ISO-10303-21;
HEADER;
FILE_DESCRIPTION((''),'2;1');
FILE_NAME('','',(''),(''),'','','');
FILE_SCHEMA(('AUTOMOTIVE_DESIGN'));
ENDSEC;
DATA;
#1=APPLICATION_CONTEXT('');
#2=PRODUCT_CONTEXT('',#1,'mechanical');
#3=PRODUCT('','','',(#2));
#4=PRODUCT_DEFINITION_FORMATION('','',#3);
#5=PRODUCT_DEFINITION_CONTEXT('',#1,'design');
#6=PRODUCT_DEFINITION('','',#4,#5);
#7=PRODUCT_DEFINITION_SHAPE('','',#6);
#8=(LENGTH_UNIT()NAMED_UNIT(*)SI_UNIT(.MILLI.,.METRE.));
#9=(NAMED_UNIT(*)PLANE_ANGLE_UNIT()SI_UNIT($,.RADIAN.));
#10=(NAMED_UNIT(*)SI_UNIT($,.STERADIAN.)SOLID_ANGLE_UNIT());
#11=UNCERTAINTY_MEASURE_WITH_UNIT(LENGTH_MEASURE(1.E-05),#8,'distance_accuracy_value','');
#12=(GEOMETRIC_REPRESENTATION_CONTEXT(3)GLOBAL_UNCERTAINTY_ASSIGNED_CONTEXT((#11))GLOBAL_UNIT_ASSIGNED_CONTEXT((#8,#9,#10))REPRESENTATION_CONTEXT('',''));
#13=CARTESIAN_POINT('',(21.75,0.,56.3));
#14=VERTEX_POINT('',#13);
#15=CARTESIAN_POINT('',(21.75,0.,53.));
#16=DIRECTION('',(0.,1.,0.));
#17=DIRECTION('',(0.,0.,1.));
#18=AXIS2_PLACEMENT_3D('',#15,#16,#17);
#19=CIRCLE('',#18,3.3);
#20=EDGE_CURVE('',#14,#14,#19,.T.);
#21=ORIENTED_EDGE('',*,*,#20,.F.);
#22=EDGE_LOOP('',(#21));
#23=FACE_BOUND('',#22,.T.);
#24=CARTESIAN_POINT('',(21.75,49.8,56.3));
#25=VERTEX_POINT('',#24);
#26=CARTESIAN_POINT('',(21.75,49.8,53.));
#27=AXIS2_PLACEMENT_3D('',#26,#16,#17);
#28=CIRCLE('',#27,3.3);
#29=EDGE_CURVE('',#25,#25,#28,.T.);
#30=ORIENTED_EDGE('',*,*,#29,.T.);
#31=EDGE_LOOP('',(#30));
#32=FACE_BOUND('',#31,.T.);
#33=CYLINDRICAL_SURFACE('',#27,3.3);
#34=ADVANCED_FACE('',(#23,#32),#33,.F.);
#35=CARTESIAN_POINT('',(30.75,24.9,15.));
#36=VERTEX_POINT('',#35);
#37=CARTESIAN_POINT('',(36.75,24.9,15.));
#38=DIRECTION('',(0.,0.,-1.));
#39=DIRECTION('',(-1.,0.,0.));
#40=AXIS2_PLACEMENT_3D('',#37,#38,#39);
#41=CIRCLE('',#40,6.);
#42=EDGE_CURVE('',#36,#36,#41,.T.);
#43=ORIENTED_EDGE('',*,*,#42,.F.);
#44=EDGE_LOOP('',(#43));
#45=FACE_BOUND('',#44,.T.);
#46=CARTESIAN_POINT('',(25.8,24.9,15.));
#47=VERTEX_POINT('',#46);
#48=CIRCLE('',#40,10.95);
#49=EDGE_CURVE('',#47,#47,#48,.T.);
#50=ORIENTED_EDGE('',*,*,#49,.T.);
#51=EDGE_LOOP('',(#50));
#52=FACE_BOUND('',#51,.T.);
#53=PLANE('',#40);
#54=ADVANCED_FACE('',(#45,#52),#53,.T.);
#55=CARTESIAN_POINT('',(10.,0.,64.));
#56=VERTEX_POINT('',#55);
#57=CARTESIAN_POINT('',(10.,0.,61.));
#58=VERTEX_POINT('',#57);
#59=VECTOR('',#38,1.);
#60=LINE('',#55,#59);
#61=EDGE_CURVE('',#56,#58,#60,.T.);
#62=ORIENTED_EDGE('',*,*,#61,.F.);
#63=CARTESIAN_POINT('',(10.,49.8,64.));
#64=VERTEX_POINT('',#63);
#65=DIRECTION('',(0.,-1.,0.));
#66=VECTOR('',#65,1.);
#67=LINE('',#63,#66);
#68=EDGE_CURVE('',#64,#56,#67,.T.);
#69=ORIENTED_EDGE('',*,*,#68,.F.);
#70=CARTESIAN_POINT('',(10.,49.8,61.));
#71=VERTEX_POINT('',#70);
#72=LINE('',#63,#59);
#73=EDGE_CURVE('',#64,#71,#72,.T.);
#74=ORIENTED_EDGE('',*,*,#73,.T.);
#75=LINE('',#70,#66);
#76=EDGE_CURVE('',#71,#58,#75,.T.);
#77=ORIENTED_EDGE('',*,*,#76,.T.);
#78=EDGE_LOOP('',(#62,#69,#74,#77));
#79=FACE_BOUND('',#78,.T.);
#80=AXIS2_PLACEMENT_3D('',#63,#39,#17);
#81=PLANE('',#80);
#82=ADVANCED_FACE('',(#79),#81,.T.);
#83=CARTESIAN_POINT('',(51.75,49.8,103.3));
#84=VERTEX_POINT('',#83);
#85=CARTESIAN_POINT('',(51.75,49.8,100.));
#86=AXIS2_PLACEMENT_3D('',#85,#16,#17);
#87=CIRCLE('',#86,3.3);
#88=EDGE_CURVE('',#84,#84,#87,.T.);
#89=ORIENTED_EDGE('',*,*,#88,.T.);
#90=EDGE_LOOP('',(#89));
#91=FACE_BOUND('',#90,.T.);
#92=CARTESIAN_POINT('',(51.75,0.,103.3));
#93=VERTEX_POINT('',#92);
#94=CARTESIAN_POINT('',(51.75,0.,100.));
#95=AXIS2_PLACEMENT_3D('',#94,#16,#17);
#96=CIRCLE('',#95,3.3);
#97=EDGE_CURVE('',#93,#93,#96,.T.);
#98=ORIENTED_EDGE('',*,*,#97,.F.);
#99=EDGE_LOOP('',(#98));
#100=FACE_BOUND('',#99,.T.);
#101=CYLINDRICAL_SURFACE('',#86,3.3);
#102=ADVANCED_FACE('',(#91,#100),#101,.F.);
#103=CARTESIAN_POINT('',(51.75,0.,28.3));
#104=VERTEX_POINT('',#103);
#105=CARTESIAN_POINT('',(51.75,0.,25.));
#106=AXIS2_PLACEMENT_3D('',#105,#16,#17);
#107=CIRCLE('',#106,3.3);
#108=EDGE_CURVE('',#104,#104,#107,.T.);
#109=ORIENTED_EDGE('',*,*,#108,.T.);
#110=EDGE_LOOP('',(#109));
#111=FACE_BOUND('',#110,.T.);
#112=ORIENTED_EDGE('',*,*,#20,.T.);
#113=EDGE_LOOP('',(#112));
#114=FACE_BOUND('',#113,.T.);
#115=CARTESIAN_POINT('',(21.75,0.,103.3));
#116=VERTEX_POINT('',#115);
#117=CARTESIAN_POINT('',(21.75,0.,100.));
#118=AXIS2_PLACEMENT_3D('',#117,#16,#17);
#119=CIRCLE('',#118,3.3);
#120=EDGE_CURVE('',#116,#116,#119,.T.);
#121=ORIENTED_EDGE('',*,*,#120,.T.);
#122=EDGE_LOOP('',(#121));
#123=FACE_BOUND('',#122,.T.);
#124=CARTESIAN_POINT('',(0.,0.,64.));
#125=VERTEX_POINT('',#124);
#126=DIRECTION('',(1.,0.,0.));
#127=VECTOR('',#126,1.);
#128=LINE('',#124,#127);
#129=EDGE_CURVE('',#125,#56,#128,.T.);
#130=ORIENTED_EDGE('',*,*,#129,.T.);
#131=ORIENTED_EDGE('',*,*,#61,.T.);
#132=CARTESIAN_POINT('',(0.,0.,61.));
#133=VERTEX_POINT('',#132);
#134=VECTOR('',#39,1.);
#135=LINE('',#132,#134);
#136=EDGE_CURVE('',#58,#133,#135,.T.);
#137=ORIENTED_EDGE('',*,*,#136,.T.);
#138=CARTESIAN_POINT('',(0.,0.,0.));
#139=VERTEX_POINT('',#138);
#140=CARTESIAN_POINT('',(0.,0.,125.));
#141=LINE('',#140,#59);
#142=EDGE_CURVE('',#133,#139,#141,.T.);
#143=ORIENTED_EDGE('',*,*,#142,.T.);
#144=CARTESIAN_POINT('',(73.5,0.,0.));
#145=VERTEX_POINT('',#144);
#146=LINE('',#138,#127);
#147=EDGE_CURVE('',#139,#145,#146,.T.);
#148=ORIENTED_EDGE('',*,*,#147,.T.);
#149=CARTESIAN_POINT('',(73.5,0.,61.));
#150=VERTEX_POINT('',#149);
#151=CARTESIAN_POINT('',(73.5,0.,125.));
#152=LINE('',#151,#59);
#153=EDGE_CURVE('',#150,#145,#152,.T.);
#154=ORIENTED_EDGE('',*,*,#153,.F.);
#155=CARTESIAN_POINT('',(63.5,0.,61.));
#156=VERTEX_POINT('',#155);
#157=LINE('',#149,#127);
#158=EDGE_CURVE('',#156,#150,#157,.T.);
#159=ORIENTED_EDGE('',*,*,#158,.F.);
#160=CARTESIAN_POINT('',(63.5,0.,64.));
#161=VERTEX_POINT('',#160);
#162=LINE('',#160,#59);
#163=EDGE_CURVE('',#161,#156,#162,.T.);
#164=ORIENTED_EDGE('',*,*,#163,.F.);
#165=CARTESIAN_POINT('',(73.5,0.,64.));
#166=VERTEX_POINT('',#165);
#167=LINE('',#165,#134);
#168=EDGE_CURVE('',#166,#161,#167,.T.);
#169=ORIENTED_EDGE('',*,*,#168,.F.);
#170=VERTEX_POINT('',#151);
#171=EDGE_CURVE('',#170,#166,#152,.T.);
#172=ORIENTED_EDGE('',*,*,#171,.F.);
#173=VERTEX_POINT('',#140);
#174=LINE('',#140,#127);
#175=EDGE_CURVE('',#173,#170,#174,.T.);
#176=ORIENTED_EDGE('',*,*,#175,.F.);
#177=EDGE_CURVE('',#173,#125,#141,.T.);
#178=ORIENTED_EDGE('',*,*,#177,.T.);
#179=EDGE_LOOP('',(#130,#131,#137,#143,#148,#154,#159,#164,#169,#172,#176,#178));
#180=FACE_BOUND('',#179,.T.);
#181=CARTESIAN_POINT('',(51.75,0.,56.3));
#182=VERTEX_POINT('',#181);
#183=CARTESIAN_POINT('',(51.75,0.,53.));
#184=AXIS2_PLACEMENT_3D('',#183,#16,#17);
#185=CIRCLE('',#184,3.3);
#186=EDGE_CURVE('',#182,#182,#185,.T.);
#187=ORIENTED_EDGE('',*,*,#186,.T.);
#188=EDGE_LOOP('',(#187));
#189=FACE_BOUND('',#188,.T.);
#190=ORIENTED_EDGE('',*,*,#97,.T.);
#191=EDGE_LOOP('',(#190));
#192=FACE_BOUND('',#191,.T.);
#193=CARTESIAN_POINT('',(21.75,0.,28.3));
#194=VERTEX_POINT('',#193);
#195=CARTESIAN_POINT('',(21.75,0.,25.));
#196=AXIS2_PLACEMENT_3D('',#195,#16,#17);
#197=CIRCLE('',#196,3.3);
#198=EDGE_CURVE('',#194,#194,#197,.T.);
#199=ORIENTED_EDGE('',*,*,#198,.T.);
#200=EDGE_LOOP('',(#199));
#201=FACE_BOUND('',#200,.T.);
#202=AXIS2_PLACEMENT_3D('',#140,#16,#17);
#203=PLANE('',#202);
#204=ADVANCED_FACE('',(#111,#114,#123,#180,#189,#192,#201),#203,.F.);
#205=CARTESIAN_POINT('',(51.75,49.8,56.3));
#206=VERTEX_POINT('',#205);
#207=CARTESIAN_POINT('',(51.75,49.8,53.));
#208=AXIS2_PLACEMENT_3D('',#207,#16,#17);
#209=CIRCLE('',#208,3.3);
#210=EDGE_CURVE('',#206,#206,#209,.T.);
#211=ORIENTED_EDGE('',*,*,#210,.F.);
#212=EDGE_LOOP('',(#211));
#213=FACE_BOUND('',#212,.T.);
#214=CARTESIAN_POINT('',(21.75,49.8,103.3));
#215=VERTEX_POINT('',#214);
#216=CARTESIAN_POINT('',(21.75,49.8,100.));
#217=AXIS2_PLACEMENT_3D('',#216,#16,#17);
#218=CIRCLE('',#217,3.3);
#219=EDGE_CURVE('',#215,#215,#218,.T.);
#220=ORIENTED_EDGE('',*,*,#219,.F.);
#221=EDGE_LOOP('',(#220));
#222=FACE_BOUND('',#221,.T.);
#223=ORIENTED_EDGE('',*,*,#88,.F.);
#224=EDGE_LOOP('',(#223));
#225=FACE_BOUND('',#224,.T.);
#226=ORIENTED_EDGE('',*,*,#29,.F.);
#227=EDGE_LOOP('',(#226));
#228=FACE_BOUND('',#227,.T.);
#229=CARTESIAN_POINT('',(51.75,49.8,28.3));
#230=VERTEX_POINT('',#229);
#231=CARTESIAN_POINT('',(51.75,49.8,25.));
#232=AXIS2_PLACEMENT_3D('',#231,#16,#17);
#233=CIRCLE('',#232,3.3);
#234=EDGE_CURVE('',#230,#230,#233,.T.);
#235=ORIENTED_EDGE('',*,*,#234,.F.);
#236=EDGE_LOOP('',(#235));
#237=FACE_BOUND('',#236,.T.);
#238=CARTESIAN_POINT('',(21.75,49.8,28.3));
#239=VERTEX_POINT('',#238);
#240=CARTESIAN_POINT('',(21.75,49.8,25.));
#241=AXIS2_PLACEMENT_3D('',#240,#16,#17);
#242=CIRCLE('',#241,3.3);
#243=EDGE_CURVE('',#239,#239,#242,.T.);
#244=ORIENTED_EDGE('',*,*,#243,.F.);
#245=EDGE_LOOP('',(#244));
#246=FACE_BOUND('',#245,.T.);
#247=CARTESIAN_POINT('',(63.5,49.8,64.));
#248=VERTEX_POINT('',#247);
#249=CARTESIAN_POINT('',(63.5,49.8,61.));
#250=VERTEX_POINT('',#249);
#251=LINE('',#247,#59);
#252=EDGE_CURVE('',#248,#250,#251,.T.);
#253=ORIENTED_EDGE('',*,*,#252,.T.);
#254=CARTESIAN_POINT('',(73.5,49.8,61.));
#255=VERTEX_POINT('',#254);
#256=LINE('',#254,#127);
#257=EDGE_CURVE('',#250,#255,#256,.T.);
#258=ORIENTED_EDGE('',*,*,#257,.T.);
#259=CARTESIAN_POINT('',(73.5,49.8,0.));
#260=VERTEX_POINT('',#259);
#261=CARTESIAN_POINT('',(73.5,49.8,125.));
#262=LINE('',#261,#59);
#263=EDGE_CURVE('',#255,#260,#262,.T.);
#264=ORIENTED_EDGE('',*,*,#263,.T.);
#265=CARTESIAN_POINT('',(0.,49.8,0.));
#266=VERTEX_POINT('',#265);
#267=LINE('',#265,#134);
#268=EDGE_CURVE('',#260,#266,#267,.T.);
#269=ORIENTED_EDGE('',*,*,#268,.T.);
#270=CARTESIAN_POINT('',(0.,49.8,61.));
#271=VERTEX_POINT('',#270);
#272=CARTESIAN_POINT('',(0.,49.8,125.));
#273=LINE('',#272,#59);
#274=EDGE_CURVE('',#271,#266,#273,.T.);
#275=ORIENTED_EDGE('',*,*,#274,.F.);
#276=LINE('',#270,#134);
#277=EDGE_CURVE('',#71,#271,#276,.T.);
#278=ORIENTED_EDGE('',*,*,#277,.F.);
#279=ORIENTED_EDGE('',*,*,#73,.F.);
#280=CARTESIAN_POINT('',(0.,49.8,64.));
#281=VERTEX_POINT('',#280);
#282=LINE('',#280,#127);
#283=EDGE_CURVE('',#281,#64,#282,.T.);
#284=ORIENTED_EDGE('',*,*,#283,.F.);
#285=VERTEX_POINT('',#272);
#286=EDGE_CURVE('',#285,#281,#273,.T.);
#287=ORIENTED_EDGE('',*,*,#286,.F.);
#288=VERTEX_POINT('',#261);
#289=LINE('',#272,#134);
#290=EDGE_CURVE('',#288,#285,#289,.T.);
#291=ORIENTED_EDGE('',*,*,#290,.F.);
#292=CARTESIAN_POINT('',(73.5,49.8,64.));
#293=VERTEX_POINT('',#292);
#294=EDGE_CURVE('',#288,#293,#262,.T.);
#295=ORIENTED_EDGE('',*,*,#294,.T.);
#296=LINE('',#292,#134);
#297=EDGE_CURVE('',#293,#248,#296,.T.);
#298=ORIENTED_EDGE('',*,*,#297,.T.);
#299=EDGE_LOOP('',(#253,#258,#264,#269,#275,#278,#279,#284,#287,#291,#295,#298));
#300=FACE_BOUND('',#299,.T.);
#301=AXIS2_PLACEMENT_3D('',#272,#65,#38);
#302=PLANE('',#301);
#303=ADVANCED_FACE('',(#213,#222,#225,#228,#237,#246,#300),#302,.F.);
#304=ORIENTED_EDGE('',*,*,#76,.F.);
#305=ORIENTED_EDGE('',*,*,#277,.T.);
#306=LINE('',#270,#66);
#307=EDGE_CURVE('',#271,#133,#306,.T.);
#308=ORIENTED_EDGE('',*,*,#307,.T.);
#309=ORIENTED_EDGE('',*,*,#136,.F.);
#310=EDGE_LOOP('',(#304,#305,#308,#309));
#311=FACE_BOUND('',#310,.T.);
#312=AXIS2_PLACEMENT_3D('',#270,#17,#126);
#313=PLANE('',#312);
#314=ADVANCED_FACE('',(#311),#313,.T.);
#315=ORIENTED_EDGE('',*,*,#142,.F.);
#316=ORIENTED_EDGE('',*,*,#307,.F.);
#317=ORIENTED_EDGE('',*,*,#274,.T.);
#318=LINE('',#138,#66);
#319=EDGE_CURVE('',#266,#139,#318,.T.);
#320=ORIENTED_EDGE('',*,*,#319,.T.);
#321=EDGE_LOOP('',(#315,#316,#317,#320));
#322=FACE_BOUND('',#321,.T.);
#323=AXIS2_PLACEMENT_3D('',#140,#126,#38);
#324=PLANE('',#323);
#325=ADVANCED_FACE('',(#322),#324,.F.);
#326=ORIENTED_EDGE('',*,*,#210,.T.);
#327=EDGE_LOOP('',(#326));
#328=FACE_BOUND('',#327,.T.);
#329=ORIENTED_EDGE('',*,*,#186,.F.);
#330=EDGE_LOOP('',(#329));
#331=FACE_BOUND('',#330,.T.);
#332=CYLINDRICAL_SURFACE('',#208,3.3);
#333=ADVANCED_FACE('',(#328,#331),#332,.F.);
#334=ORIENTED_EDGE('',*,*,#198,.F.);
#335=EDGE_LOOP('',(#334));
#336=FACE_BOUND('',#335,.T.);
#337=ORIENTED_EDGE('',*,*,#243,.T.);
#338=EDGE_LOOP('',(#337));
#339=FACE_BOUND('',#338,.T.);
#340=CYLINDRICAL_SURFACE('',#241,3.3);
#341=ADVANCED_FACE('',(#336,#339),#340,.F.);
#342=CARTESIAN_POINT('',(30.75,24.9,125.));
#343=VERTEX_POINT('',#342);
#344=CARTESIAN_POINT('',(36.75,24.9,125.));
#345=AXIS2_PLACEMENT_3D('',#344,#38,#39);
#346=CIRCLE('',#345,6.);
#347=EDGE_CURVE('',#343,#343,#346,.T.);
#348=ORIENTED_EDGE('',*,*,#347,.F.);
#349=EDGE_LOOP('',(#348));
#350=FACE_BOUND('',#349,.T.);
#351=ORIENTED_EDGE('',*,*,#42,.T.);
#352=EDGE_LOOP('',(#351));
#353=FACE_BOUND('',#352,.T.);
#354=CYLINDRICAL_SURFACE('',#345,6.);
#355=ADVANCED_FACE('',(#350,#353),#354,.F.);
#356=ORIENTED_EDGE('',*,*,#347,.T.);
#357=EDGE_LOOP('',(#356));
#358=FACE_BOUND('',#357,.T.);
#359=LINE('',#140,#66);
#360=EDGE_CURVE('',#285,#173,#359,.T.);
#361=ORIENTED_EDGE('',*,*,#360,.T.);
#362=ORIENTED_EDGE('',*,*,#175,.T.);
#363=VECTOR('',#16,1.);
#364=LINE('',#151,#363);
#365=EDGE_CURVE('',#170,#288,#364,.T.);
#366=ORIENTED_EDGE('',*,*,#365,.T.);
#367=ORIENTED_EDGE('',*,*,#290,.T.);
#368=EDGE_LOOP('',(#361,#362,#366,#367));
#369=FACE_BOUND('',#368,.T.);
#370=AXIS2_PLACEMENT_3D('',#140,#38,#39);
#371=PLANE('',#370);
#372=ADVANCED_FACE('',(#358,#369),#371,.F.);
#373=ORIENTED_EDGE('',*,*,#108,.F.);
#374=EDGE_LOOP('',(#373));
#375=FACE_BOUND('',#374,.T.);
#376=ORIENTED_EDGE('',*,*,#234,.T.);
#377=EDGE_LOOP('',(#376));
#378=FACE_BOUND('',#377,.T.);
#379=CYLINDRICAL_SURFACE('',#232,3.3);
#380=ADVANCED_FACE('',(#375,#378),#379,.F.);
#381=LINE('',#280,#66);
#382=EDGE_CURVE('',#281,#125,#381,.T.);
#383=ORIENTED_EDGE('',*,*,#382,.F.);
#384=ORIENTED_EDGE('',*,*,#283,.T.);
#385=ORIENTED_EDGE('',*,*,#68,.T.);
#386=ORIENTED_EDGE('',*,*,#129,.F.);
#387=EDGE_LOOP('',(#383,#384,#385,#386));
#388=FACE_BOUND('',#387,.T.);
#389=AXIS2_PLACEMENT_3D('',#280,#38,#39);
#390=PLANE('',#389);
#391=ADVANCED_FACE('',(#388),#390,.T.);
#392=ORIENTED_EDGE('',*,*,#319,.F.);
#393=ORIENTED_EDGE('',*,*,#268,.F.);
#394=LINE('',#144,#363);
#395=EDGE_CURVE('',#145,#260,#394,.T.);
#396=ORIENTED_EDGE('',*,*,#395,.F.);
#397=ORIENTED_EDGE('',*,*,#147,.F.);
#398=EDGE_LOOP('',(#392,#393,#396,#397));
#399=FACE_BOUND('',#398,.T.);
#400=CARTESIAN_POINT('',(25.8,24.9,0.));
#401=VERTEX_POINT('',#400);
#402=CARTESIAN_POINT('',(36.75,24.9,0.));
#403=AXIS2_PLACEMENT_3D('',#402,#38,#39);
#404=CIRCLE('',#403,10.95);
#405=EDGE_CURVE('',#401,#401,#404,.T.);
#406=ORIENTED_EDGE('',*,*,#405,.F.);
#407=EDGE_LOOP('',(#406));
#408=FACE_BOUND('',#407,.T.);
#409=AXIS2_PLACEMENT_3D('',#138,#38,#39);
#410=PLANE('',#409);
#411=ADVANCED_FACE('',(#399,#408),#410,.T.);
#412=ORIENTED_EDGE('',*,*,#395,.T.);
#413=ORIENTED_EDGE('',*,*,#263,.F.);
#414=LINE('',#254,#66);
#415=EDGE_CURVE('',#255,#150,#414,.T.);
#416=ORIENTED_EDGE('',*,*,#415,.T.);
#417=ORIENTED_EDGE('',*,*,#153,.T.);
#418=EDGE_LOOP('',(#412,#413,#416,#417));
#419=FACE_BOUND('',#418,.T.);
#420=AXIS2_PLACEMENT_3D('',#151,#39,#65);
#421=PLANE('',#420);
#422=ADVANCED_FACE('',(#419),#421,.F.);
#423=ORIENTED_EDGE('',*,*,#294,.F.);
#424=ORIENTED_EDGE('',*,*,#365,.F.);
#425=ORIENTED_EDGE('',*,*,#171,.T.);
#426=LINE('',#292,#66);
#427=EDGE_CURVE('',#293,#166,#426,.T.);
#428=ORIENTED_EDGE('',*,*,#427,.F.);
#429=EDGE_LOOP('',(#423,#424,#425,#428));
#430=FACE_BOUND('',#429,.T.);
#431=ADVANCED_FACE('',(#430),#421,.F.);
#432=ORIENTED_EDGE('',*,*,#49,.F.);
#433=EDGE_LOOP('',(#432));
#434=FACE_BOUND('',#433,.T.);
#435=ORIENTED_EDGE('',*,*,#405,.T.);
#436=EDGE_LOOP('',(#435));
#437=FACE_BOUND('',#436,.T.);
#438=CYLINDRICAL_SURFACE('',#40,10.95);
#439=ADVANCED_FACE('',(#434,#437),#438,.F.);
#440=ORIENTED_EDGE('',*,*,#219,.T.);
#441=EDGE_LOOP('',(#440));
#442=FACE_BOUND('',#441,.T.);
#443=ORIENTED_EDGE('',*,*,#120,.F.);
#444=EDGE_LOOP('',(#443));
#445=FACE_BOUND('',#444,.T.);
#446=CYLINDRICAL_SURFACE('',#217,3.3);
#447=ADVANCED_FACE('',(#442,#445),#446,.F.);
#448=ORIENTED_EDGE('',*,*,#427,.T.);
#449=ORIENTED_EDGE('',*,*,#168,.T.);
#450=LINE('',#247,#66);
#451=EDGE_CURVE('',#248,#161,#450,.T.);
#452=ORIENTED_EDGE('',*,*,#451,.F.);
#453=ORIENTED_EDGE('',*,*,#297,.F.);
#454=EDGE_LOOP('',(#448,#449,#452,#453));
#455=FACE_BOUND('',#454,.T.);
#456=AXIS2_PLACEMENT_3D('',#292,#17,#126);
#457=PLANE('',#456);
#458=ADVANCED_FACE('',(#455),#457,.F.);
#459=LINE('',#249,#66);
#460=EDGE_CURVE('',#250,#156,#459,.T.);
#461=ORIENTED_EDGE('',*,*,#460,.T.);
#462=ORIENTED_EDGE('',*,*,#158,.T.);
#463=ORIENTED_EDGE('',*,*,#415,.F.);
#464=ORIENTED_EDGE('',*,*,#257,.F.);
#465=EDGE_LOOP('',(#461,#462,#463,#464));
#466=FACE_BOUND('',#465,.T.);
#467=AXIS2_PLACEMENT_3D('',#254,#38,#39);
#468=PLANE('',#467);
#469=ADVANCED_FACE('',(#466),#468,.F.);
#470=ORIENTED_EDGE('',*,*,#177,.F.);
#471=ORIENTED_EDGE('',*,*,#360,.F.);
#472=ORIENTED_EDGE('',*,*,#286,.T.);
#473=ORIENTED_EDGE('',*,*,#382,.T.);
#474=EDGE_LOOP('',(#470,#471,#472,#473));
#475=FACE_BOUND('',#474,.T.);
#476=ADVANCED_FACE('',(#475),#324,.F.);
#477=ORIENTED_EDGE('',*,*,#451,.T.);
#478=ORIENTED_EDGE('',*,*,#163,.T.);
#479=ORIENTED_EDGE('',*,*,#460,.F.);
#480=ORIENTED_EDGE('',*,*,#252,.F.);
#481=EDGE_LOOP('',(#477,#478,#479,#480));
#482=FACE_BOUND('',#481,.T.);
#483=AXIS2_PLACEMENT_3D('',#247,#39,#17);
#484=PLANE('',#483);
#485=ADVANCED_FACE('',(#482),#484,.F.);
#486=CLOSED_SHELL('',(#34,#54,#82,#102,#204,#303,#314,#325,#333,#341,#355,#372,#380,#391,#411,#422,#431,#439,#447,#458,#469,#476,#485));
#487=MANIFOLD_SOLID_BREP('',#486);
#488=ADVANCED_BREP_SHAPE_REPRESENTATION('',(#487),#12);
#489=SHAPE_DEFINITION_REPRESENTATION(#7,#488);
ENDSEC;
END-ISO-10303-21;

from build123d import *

# Parameters (mm, degrees)
SKETCH1_W                 = 73.5
SKETCH1_H                 = 49.8
SLIDER_BODY_DEPTH         = 125
SKETCH2_R                 = 10.95
LEAD_NUT_INSET_DEPTH      = 15
SKETCH3_R                 = 6
LEADSCREW_CLEARANCE_DEPTH = 142.358728064
SKETCH9_W                 = 10
SKETCH9_H                 = 3
DECOUPLING_SLIT_DEPTH     = 154.320872682
BOLT_CLEARANCE_HOLES_D    = 6.6


with BuildPart() as part:
    # Sketch1 → slider body (new body)
    with BuildSketch(Plane.XY):
        with Locations((36.75, 24.9)):
            Rectangle(SKETCH1_W, SKETCH1_H)
    extrude(amount=SLIDER_BODY_DEPTH)

    # Sketch2 → lead nut inset (cut)
    with BuildSketch(Plane(origin=(0, 0, 0), x_dir=(-1, 0, 0), z_dir=(0, 0, -1))):
        with Locations((-36.75, 24.9)):
            Circle(SKETCH2_R)
    extrude(amount=-LEAD_NUT_INSET_DEPTH, mode=Mode.SUBTRACT)

    # Sketch3 → leadscrew clearance (cut, through all)
    with BuildSketch(Plane(origin=(0, 0, 15), x_dir=(-1, 0, 0), z_dir=(0, 0, -1))):
        with Locations((-36.75, 24.9)):
            Circle(SKETCH3_R)
    extrude(amount=-LEADSCREW_CLEARANCE_DEPTH, mode=Mode.SUBTRACT)

    # Sketch9 → decoupling slit (cut, through all)
    with BuildSketch(Plane.XZ):
        with Locations((68.5, 62.5)):
            Rectangle(SKETCH9_W, SKETCH9_H)
    decoupling_slit = extrude(amount=-DECOUPLING_SLIT_DEPTH, mode=Mode.SUBTRACT)

    # bolt clearance holes (through all)
    with Locations(Plane(origin=(0, 49.8, 0), x_dir=(1, 0, 0), z_dir=(0, 1, 0))):
        with Locations((51.75, -100), (21.75, -25), (51.75, -25), (21.75, -100), (21.75, -53), (51.75, -53)):
            Hole(BOLT_CLEARANCE_HOLES_D / 2)

    # mirror slit: decoupling slit across plane
    add(decoupling_slit.mirror(Plane.ZY.offset(-36.75)), mode=Mode.SUBTRACT)


solid = part.part
